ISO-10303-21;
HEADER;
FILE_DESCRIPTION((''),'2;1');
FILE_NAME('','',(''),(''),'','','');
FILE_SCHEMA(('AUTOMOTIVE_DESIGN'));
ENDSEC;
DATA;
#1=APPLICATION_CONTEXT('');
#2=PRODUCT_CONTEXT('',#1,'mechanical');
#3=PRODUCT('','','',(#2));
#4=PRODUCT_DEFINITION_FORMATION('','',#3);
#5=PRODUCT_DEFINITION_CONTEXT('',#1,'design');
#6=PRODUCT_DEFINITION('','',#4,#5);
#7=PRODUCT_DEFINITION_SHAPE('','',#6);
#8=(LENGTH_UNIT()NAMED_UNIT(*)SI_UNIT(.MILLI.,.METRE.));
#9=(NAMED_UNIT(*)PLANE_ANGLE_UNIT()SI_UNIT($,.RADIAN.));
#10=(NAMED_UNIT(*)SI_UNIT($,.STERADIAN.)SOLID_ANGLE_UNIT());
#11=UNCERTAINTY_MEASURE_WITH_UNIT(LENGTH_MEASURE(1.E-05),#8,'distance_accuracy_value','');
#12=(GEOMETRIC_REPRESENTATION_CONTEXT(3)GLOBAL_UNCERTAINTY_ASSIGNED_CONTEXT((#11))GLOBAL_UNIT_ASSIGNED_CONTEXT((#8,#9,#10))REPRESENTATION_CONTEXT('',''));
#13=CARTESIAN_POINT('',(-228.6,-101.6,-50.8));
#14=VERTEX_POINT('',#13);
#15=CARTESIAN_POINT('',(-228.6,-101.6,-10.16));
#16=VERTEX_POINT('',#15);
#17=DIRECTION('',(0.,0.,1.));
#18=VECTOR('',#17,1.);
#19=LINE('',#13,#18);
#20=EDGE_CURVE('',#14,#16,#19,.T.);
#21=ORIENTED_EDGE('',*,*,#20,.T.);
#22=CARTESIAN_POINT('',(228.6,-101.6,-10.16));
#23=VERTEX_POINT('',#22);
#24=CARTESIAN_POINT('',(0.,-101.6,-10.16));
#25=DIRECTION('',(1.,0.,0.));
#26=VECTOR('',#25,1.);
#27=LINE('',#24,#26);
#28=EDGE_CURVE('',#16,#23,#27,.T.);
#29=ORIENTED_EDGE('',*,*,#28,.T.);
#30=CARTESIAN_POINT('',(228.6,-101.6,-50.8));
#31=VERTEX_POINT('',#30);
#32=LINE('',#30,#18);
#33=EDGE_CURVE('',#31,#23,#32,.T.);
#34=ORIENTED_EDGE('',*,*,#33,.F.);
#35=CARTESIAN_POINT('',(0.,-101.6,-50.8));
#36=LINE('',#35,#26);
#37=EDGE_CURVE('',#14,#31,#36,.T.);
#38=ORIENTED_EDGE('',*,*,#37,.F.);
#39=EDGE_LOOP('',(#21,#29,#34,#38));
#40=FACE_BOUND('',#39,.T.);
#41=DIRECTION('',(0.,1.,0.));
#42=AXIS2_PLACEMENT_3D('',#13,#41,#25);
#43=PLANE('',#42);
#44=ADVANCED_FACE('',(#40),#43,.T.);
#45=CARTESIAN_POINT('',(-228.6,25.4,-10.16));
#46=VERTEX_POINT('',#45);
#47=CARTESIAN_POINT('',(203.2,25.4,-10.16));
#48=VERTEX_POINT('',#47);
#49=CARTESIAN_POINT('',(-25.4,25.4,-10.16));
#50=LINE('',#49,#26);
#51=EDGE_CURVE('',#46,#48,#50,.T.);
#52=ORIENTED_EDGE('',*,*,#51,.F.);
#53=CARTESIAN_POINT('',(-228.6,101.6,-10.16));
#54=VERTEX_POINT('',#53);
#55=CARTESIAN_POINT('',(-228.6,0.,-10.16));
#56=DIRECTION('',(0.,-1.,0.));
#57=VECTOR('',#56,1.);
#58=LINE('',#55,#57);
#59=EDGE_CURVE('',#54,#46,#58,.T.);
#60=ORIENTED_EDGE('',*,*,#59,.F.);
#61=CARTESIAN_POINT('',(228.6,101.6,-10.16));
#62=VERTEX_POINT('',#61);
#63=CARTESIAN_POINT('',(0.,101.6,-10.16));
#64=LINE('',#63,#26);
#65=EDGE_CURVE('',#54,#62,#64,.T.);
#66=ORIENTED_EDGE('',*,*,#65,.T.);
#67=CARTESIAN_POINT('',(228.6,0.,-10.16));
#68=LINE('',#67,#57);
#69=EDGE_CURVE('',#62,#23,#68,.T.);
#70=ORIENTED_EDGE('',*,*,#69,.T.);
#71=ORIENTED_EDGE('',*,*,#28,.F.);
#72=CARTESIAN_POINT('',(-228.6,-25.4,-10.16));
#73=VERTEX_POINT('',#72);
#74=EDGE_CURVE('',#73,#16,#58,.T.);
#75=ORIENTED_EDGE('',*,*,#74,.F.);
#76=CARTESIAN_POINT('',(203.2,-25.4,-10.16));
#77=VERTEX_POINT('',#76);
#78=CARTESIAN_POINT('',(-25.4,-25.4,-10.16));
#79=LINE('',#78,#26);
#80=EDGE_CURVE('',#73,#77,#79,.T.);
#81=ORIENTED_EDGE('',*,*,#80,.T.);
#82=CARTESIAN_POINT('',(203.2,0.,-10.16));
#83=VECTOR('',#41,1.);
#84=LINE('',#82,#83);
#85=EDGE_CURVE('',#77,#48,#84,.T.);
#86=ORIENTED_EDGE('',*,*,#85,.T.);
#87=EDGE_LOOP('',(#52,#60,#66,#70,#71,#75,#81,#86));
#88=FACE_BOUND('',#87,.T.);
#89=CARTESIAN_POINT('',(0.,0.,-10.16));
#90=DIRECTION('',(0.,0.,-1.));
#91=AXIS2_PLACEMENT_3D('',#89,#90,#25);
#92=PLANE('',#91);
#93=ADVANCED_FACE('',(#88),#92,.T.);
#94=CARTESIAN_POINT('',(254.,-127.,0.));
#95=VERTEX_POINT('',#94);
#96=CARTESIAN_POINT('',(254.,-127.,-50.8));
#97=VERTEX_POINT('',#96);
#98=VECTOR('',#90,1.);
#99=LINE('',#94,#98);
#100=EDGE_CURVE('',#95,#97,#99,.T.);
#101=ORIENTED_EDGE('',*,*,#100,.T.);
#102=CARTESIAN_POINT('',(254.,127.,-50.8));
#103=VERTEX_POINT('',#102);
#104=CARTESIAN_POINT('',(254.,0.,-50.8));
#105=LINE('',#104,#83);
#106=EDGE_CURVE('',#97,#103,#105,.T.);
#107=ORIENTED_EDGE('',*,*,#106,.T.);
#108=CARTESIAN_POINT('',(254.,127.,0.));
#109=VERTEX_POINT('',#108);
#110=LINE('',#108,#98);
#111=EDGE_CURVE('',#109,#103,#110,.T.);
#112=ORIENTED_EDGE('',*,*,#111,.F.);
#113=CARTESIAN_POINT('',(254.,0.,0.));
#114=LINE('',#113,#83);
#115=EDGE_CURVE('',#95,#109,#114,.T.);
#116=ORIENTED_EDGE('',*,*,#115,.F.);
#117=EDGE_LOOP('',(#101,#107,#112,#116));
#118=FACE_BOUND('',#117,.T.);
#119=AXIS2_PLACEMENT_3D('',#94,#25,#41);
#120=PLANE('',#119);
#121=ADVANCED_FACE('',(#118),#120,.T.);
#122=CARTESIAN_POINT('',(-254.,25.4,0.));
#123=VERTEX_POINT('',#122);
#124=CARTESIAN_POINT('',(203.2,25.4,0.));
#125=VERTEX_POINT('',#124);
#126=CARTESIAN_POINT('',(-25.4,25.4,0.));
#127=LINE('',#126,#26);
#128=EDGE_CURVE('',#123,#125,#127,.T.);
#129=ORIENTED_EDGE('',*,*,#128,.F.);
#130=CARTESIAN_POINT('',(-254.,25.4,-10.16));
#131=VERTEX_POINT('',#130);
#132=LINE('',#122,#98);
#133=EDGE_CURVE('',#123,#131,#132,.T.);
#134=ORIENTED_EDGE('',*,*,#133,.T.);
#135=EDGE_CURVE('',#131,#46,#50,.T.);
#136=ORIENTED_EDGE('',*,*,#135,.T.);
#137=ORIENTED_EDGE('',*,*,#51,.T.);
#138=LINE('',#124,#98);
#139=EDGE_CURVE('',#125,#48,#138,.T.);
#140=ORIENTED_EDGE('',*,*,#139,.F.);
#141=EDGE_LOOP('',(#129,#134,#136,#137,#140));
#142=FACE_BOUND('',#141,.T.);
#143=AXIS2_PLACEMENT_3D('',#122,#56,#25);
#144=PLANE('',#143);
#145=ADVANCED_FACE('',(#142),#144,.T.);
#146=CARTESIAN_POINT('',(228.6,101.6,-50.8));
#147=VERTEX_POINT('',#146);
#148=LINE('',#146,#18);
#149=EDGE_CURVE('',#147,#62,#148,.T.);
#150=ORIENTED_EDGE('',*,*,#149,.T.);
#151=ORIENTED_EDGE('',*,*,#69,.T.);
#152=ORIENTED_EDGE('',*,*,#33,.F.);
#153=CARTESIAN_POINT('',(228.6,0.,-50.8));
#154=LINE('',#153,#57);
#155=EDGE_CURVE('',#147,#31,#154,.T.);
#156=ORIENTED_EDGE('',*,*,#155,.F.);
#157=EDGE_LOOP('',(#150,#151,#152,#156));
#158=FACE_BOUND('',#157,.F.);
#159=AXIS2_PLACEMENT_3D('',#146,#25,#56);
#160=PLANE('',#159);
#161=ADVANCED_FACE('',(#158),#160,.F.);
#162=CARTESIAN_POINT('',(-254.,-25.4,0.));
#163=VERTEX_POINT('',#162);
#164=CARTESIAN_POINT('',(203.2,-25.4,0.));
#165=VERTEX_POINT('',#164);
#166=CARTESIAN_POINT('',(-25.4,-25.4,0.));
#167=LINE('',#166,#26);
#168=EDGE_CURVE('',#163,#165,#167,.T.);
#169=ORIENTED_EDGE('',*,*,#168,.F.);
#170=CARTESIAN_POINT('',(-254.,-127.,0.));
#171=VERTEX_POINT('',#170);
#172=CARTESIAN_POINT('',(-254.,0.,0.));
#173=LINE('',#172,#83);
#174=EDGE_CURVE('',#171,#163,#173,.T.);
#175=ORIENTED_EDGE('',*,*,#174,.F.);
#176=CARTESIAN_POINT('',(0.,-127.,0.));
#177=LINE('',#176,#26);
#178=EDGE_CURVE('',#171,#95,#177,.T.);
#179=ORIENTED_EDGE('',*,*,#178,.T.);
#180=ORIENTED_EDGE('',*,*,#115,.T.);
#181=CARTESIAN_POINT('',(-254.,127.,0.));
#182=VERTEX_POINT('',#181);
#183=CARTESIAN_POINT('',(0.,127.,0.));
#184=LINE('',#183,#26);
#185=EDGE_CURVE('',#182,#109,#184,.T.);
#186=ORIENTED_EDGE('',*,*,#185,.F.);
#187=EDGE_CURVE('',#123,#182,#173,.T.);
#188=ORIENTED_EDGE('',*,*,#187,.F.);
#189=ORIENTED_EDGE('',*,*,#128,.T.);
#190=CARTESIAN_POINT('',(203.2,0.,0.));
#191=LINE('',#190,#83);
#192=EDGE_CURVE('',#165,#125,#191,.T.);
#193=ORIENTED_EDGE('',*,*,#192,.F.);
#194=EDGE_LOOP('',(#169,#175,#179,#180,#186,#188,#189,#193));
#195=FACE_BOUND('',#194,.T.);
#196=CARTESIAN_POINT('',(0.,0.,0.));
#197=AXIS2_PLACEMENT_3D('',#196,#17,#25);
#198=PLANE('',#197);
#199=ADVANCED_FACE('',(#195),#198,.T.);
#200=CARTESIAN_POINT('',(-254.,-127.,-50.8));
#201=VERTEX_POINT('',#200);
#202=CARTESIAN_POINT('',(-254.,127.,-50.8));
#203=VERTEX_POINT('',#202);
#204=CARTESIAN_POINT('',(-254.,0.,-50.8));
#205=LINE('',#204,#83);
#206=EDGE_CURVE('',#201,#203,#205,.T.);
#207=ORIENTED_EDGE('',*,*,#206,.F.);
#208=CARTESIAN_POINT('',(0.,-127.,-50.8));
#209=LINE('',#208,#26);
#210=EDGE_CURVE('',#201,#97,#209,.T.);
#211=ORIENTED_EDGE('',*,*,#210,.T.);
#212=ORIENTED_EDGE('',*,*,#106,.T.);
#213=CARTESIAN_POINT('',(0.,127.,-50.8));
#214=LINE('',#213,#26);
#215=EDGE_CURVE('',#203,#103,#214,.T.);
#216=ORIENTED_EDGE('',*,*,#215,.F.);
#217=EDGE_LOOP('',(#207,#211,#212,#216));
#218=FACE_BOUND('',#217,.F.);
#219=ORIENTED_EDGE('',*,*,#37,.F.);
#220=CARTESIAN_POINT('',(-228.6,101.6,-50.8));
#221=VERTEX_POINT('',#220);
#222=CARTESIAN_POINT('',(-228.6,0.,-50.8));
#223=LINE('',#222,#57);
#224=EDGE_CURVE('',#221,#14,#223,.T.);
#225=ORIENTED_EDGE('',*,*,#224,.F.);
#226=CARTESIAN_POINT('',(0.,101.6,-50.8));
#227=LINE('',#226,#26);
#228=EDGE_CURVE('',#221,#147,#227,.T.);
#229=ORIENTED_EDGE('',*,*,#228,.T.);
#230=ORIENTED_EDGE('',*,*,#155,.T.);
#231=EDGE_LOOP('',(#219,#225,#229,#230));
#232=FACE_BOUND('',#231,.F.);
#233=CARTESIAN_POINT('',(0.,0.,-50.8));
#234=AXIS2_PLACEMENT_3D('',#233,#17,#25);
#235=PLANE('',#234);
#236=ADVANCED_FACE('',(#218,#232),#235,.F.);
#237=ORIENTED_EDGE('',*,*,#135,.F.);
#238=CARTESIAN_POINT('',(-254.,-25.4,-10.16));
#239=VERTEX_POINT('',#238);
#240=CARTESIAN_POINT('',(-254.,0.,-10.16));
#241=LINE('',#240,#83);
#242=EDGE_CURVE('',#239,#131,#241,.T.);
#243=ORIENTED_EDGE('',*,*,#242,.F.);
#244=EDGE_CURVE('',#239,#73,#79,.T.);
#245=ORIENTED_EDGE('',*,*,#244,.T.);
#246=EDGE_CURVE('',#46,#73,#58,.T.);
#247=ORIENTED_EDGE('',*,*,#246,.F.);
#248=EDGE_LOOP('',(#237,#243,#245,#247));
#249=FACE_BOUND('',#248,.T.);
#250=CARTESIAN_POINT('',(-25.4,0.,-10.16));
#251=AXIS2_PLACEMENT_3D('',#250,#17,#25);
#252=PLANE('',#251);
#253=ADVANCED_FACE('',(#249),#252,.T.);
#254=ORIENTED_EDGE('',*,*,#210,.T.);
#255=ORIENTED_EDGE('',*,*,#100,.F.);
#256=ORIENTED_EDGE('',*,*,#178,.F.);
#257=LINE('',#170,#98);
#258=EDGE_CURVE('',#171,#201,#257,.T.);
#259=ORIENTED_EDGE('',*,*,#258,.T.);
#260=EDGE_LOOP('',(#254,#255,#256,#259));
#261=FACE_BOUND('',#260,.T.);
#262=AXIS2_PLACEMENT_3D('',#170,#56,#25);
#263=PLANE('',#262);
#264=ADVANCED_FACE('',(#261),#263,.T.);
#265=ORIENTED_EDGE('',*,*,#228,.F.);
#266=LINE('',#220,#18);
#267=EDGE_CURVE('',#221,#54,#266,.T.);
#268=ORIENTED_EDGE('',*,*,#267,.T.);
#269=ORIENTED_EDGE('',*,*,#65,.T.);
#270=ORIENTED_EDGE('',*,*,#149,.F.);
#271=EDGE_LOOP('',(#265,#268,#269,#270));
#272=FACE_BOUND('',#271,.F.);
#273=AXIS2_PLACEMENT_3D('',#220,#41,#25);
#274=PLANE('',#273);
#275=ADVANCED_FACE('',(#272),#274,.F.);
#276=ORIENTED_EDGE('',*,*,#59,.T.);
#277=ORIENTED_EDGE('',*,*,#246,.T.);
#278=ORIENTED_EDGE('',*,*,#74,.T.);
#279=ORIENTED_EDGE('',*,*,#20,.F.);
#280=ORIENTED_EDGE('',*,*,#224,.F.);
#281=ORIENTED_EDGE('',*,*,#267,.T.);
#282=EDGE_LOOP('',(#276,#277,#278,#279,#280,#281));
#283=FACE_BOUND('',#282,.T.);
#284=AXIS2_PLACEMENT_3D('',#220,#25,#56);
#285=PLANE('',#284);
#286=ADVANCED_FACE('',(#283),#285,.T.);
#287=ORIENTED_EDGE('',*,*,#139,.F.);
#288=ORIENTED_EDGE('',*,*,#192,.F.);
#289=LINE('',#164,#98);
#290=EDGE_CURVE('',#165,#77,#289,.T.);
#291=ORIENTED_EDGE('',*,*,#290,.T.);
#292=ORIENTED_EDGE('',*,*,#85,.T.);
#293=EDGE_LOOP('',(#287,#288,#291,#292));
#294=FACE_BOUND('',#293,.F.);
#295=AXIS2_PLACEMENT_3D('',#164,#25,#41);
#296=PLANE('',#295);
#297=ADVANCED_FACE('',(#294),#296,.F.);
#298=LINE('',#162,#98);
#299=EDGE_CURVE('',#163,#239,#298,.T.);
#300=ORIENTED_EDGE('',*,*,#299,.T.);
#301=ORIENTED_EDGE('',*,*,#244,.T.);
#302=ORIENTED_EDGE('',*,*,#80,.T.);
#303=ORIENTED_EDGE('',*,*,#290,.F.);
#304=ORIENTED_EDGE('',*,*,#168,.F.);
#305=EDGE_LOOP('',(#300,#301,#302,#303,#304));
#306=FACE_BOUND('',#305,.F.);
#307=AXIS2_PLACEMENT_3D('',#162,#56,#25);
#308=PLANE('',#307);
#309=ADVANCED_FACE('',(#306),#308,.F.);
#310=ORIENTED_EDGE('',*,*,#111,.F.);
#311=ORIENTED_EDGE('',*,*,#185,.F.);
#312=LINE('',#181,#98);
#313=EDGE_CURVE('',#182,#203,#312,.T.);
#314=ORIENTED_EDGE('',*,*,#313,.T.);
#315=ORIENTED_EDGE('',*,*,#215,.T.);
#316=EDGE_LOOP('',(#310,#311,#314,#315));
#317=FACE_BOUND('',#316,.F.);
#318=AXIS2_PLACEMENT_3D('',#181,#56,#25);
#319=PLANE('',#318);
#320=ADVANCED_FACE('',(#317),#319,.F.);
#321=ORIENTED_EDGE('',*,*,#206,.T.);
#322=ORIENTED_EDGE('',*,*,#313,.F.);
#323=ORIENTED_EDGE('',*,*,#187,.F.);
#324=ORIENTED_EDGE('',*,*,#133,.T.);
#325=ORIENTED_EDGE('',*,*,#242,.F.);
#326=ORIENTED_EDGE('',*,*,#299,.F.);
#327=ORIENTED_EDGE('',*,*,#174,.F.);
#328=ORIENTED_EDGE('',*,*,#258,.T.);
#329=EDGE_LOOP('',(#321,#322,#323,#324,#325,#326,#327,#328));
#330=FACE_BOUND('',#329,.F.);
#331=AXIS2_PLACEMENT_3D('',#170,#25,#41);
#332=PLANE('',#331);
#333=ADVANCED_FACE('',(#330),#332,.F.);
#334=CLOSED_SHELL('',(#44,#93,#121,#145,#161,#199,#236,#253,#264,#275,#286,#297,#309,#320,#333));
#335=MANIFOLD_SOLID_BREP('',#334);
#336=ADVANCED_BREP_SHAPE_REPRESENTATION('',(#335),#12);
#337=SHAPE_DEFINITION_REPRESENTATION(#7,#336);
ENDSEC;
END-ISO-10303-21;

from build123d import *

# Parameters (mm, degrees)
F0_W     = 508
F0_H     = 254
F1_DEPTH = 50.8
F2_W     = 457.2
F2_H     = 203.2
F3_DEPTH = 40.64
F4_W     = 457.2
F4_H     = 50.8
F5_DEPTH = 10.16


with BuildPart() as f1:
    # F0 (on Top) → F1 (new body)
    with BuildSketch(Plane.XY):
        Rectangle(F0_W, F0_H)
    extrude(amount=-F1_DEPTH)

    # F2 (on face) → F3 (cut)
    with BuildSketch(Plane(origin=(0, 0, -50.8), x_dir=(1, 0, 0), z_dir=(0, 0, -1))):
        Rectangle(F2_W, F2_H)
    extrude(amount=-F3_DEPTH, mode=Mode.SUBTRACT)

    # F4 (on face) → F5 (cut)
    with BuildSketch(Plane.XY):
        with Locations((-25.4, 0)):
            Rectangle(F4_W, F4_H)
    extrude(amount=-F5_DEPTH, mode=Mode.SUBTRACT)


solid = f1.part
